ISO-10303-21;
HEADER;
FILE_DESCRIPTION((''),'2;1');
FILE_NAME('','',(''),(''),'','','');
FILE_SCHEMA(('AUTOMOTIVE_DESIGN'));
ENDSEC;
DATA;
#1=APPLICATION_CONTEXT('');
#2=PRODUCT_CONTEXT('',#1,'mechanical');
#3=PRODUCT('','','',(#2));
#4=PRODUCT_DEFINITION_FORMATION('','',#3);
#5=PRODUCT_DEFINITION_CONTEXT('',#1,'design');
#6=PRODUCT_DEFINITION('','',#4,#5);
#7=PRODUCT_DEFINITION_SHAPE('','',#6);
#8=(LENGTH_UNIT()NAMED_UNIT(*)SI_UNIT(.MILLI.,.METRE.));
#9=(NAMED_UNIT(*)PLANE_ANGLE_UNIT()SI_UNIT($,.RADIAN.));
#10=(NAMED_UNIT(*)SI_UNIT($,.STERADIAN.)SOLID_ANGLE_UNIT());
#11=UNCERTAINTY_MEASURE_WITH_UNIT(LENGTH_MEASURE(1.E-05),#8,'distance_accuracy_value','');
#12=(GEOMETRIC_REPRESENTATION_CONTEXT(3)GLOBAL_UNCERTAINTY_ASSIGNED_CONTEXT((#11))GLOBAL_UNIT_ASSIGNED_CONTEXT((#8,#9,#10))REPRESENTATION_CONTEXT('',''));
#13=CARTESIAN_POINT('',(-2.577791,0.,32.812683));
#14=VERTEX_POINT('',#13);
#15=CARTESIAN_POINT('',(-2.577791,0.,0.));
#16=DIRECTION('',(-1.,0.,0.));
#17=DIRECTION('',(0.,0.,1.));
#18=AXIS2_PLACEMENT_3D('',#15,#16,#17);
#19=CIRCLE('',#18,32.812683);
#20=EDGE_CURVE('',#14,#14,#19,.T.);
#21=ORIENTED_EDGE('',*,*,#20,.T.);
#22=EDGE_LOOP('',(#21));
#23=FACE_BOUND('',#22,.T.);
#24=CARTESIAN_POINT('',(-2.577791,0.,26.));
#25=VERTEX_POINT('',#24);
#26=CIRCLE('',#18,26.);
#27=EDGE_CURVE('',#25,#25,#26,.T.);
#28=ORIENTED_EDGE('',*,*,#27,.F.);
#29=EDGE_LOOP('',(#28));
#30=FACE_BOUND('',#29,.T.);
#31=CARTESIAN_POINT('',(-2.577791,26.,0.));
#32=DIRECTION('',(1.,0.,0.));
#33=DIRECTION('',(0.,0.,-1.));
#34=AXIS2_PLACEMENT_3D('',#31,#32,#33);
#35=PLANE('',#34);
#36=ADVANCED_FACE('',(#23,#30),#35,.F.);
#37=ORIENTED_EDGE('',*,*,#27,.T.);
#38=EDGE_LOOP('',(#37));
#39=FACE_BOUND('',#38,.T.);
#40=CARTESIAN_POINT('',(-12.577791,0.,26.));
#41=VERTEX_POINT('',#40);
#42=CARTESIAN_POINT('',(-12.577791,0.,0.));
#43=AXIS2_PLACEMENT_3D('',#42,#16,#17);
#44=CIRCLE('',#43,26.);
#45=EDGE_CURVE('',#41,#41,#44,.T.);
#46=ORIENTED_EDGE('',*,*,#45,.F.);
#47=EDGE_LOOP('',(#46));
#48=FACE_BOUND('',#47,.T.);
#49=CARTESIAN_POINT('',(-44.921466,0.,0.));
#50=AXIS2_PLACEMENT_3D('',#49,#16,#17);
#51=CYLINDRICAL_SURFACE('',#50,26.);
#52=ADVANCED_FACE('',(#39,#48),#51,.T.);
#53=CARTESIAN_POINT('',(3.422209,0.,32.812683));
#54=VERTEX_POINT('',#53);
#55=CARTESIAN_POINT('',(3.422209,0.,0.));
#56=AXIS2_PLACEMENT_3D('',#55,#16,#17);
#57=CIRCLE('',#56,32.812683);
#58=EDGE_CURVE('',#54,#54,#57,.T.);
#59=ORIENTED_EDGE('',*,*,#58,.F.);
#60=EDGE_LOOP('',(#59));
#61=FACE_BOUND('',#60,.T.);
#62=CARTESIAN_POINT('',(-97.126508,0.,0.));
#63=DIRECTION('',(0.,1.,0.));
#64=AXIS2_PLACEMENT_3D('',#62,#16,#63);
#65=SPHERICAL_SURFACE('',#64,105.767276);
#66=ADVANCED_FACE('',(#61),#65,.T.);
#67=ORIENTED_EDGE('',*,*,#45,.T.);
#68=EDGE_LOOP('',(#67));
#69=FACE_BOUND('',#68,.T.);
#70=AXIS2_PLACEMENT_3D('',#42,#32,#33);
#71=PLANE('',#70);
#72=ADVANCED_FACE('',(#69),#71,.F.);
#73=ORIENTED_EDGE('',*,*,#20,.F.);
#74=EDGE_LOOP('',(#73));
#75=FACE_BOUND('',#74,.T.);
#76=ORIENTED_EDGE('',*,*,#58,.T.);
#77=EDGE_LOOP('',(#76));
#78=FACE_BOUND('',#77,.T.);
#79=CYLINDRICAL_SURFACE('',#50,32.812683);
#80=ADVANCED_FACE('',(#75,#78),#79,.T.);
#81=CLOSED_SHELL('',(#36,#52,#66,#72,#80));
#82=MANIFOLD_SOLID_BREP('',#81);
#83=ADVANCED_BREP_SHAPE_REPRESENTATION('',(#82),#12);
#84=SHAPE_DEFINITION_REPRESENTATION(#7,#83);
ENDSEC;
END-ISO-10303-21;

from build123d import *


with BuildPart() as part:
    # Sketch1 → Revolve1 (revolve)
    with BuildSketch(Plane.XY, mode=Mode.PRIVATE) as revolve1_sk:
        with BuildLine():
            Line((-12.577790871, 0), (-12.577790871, 26))
            Line((-12.577790871, 26), (-2.577790871, 26))
            Line((-2.577790871, 26), (-2.577790871, 32.812683447))
            Line((-2.577790871, 32.812683447), (3.422209129, 32.812683447))
            ThreePointArc((3.422209129, 32.812683447), (7.327981231, 16.612537084), (8.640768169, 0))
            Line((8.640768169, 0), (-12.577790871, 0))
        make_face()
    revolve(revolve1_sk.sketch.rotate(Axis((-44.921465969, 0, 0), (1, 0, 0)), 90), axis=Axis((-44.921465969, 0, 0), (1, 0, 0)))


solid = part.part
